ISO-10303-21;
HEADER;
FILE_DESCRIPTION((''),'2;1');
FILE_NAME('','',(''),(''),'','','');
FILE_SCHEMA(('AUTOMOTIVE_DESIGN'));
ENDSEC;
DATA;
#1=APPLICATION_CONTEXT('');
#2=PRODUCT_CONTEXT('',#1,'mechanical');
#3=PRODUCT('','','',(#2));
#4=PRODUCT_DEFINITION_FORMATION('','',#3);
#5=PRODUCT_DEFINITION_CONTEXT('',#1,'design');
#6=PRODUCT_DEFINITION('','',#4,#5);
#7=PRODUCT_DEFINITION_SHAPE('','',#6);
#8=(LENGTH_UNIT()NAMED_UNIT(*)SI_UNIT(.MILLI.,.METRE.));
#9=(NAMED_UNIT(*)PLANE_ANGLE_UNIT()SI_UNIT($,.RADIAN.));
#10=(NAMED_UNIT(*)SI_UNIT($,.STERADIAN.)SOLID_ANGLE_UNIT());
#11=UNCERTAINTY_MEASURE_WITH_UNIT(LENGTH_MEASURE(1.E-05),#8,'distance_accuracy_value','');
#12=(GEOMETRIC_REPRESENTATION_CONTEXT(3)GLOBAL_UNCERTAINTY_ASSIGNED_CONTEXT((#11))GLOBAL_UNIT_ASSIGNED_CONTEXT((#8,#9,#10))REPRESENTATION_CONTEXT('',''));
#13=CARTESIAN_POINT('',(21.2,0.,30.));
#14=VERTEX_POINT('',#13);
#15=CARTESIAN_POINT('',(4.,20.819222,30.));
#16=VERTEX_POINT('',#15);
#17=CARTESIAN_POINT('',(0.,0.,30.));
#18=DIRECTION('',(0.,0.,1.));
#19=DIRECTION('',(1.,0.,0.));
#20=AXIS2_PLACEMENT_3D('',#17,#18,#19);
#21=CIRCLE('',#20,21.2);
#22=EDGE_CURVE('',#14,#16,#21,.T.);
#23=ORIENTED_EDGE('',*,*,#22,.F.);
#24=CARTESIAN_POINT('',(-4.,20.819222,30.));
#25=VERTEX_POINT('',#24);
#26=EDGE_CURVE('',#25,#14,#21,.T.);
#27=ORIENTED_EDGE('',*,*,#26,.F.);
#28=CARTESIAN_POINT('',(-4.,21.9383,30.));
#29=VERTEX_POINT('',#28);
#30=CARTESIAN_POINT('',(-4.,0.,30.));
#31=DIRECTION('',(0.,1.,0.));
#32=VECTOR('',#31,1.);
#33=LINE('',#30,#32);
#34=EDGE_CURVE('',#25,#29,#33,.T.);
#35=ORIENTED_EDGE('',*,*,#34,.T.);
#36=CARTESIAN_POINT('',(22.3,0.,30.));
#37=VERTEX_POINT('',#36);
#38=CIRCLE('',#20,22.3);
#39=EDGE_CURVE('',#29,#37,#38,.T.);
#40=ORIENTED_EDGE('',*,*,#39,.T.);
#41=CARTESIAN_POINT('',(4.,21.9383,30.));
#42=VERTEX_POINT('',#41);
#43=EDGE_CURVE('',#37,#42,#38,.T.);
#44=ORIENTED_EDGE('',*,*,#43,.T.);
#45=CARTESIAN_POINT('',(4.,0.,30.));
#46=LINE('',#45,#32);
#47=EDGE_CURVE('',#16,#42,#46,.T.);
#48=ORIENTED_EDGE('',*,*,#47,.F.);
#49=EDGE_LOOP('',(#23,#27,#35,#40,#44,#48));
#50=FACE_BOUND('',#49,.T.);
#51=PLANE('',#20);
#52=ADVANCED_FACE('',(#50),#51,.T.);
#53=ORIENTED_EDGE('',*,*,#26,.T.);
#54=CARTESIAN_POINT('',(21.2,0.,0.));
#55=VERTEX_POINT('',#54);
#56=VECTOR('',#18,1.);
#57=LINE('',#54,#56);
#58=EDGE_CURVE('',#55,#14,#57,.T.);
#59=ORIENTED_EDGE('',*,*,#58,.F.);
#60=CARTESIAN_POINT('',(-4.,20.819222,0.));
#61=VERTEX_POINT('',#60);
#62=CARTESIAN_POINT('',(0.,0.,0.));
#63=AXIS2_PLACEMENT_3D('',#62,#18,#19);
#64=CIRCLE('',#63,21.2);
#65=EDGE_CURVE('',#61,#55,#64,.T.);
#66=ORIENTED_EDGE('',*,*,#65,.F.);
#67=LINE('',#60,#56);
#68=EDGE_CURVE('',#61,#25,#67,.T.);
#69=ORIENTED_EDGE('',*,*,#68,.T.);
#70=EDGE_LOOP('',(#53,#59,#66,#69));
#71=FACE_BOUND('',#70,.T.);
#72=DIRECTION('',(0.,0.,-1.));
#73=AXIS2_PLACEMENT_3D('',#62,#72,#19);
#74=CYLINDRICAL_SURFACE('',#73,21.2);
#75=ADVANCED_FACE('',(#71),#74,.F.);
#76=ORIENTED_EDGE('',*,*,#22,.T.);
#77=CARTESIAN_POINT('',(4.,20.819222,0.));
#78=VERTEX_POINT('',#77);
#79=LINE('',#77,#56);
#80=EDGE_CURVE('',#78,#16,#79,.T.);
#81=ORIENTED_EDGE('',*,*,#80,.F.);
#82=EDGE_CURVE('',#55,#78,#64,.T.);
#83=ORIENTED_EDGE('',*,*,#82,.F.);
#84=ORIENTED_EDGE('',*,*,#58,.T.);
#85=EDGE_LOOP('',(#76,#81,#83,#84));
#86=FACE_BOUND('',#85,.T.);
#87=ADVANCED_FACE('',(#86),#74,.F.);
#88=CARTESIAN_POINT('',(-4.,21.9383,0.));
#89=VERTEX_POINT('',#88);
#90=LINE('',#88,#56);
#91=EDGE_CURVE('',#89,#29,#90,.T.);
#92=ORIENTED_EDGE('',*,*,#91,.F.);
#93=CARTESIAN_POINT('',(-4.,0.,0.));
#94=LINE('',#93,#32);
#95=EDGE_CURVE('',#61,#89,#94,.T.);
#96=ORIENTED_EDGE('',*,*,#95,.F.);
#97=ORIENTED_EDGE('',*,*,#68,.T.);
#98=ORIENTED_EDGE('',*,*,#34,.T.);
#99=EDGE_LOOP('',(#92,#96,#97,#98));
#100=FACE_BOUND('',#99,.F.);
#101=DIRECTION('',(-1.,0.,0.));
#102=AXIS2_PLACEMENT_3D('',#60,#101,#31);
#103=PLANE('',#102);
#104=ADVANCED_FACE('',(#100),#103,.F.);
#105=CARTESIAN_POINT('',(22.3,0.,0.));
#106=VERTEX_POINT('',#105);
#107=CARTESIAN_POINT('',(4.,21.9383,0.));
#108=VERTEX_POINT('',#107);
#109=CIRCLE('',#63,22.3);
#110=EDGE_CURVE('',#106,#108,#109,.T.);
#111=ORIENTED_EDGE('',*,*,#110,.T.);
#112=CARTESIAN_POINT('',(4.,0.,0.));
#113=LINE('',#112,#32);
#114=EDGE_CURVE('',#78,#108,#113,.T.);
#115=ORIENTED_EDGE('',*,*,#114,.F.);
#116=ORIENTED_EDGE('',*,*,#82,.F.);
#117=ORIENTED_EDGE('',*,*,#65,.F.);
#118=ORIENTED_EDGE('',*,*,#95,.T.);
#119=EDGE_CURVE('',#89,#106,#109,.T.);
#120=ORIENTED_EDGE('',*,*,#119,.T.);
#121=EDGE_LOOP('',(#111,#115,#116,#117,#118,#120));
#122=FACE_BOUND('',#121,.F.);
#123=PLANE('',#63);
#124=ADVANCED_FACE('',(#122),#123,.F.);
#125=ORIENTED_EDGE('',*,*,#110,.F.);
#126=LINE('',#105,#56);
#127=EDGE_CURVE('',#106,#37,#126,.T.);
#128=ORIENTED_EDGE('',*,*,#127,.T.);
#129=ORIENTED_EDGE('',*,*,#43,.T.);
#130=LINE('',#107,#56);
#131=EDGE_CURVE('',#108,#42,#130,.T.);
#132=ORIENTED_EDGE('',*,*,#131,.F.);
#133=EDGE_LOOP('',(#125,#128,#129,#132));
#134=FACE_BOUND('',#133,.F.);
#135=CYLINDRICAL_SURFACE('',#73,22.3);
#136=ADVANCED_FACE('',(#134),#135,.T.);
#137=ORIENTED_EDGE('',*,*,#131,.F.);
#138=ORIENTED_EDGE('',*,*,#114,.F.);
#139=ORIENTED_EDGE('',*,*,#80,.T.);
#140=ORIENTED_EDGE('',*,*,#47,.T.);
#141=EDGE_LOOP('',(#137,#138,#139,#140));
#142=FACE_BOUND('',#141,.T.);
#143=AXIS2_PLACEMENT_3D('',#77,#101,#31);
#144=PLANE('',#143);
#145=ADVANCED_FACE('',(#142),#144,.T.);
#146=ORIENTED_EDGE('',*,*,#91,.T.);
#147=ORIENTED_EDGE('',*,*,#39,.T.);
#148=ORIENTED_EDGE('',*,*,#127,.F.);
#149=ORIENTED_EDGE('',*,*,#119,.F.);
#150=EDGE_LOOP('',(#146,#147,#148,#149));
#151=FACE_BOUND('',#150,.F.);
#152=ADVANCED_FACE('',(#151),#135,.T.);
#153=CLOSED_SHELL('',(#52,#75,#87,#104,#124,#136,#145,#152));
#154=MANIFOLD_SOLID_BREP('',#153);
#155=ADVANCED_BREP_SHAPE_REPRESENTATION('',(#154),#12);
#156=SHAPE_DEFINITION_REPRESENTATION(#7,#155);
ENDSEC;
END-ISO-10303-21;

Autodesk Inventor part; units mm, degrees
ref_plane "YZ Plane" through (0, 0, 0) normal (1, 0, 0) x (0, 1, 0)
ref_plane "XZ Plane" through (0, 0, 0) normal (0, 1, 0) x (-1, 0, 0)
ref_plane "XY Plane" through (0, 0, 0) normal (0, 0, 1) x (1, 0, 0)
sketch "스케치1" plane through (0, 0, 0) normal (0, 0, 1) x (1, 0, 0)
  circle A0 centre (0, 0) radius 21.2
  circle A1 centre (0, 0) radius 22.3
  line L0 (0, 0) -> (-4, 0)
  line L1 (-4, 0) -> (4, 0)
  line L2 (4, 0) -> (4, 21.9383)
  line L3 (-4, 0) -> (-4, 21.9383)
  point P0 (-4, 20.8192)
  point P1 (4, 20.8192)
  dimension "d0" = 42.4
  dimension "d1" = 44.6
  dimension "d2" = 4
  dimension "d3" = 8
extrude "돌출1" add sketch "스케치1" along normal blind 30 contours A0 L2 A1 L3 picked at (21.5236, -3.4225)
properties part number "case"
